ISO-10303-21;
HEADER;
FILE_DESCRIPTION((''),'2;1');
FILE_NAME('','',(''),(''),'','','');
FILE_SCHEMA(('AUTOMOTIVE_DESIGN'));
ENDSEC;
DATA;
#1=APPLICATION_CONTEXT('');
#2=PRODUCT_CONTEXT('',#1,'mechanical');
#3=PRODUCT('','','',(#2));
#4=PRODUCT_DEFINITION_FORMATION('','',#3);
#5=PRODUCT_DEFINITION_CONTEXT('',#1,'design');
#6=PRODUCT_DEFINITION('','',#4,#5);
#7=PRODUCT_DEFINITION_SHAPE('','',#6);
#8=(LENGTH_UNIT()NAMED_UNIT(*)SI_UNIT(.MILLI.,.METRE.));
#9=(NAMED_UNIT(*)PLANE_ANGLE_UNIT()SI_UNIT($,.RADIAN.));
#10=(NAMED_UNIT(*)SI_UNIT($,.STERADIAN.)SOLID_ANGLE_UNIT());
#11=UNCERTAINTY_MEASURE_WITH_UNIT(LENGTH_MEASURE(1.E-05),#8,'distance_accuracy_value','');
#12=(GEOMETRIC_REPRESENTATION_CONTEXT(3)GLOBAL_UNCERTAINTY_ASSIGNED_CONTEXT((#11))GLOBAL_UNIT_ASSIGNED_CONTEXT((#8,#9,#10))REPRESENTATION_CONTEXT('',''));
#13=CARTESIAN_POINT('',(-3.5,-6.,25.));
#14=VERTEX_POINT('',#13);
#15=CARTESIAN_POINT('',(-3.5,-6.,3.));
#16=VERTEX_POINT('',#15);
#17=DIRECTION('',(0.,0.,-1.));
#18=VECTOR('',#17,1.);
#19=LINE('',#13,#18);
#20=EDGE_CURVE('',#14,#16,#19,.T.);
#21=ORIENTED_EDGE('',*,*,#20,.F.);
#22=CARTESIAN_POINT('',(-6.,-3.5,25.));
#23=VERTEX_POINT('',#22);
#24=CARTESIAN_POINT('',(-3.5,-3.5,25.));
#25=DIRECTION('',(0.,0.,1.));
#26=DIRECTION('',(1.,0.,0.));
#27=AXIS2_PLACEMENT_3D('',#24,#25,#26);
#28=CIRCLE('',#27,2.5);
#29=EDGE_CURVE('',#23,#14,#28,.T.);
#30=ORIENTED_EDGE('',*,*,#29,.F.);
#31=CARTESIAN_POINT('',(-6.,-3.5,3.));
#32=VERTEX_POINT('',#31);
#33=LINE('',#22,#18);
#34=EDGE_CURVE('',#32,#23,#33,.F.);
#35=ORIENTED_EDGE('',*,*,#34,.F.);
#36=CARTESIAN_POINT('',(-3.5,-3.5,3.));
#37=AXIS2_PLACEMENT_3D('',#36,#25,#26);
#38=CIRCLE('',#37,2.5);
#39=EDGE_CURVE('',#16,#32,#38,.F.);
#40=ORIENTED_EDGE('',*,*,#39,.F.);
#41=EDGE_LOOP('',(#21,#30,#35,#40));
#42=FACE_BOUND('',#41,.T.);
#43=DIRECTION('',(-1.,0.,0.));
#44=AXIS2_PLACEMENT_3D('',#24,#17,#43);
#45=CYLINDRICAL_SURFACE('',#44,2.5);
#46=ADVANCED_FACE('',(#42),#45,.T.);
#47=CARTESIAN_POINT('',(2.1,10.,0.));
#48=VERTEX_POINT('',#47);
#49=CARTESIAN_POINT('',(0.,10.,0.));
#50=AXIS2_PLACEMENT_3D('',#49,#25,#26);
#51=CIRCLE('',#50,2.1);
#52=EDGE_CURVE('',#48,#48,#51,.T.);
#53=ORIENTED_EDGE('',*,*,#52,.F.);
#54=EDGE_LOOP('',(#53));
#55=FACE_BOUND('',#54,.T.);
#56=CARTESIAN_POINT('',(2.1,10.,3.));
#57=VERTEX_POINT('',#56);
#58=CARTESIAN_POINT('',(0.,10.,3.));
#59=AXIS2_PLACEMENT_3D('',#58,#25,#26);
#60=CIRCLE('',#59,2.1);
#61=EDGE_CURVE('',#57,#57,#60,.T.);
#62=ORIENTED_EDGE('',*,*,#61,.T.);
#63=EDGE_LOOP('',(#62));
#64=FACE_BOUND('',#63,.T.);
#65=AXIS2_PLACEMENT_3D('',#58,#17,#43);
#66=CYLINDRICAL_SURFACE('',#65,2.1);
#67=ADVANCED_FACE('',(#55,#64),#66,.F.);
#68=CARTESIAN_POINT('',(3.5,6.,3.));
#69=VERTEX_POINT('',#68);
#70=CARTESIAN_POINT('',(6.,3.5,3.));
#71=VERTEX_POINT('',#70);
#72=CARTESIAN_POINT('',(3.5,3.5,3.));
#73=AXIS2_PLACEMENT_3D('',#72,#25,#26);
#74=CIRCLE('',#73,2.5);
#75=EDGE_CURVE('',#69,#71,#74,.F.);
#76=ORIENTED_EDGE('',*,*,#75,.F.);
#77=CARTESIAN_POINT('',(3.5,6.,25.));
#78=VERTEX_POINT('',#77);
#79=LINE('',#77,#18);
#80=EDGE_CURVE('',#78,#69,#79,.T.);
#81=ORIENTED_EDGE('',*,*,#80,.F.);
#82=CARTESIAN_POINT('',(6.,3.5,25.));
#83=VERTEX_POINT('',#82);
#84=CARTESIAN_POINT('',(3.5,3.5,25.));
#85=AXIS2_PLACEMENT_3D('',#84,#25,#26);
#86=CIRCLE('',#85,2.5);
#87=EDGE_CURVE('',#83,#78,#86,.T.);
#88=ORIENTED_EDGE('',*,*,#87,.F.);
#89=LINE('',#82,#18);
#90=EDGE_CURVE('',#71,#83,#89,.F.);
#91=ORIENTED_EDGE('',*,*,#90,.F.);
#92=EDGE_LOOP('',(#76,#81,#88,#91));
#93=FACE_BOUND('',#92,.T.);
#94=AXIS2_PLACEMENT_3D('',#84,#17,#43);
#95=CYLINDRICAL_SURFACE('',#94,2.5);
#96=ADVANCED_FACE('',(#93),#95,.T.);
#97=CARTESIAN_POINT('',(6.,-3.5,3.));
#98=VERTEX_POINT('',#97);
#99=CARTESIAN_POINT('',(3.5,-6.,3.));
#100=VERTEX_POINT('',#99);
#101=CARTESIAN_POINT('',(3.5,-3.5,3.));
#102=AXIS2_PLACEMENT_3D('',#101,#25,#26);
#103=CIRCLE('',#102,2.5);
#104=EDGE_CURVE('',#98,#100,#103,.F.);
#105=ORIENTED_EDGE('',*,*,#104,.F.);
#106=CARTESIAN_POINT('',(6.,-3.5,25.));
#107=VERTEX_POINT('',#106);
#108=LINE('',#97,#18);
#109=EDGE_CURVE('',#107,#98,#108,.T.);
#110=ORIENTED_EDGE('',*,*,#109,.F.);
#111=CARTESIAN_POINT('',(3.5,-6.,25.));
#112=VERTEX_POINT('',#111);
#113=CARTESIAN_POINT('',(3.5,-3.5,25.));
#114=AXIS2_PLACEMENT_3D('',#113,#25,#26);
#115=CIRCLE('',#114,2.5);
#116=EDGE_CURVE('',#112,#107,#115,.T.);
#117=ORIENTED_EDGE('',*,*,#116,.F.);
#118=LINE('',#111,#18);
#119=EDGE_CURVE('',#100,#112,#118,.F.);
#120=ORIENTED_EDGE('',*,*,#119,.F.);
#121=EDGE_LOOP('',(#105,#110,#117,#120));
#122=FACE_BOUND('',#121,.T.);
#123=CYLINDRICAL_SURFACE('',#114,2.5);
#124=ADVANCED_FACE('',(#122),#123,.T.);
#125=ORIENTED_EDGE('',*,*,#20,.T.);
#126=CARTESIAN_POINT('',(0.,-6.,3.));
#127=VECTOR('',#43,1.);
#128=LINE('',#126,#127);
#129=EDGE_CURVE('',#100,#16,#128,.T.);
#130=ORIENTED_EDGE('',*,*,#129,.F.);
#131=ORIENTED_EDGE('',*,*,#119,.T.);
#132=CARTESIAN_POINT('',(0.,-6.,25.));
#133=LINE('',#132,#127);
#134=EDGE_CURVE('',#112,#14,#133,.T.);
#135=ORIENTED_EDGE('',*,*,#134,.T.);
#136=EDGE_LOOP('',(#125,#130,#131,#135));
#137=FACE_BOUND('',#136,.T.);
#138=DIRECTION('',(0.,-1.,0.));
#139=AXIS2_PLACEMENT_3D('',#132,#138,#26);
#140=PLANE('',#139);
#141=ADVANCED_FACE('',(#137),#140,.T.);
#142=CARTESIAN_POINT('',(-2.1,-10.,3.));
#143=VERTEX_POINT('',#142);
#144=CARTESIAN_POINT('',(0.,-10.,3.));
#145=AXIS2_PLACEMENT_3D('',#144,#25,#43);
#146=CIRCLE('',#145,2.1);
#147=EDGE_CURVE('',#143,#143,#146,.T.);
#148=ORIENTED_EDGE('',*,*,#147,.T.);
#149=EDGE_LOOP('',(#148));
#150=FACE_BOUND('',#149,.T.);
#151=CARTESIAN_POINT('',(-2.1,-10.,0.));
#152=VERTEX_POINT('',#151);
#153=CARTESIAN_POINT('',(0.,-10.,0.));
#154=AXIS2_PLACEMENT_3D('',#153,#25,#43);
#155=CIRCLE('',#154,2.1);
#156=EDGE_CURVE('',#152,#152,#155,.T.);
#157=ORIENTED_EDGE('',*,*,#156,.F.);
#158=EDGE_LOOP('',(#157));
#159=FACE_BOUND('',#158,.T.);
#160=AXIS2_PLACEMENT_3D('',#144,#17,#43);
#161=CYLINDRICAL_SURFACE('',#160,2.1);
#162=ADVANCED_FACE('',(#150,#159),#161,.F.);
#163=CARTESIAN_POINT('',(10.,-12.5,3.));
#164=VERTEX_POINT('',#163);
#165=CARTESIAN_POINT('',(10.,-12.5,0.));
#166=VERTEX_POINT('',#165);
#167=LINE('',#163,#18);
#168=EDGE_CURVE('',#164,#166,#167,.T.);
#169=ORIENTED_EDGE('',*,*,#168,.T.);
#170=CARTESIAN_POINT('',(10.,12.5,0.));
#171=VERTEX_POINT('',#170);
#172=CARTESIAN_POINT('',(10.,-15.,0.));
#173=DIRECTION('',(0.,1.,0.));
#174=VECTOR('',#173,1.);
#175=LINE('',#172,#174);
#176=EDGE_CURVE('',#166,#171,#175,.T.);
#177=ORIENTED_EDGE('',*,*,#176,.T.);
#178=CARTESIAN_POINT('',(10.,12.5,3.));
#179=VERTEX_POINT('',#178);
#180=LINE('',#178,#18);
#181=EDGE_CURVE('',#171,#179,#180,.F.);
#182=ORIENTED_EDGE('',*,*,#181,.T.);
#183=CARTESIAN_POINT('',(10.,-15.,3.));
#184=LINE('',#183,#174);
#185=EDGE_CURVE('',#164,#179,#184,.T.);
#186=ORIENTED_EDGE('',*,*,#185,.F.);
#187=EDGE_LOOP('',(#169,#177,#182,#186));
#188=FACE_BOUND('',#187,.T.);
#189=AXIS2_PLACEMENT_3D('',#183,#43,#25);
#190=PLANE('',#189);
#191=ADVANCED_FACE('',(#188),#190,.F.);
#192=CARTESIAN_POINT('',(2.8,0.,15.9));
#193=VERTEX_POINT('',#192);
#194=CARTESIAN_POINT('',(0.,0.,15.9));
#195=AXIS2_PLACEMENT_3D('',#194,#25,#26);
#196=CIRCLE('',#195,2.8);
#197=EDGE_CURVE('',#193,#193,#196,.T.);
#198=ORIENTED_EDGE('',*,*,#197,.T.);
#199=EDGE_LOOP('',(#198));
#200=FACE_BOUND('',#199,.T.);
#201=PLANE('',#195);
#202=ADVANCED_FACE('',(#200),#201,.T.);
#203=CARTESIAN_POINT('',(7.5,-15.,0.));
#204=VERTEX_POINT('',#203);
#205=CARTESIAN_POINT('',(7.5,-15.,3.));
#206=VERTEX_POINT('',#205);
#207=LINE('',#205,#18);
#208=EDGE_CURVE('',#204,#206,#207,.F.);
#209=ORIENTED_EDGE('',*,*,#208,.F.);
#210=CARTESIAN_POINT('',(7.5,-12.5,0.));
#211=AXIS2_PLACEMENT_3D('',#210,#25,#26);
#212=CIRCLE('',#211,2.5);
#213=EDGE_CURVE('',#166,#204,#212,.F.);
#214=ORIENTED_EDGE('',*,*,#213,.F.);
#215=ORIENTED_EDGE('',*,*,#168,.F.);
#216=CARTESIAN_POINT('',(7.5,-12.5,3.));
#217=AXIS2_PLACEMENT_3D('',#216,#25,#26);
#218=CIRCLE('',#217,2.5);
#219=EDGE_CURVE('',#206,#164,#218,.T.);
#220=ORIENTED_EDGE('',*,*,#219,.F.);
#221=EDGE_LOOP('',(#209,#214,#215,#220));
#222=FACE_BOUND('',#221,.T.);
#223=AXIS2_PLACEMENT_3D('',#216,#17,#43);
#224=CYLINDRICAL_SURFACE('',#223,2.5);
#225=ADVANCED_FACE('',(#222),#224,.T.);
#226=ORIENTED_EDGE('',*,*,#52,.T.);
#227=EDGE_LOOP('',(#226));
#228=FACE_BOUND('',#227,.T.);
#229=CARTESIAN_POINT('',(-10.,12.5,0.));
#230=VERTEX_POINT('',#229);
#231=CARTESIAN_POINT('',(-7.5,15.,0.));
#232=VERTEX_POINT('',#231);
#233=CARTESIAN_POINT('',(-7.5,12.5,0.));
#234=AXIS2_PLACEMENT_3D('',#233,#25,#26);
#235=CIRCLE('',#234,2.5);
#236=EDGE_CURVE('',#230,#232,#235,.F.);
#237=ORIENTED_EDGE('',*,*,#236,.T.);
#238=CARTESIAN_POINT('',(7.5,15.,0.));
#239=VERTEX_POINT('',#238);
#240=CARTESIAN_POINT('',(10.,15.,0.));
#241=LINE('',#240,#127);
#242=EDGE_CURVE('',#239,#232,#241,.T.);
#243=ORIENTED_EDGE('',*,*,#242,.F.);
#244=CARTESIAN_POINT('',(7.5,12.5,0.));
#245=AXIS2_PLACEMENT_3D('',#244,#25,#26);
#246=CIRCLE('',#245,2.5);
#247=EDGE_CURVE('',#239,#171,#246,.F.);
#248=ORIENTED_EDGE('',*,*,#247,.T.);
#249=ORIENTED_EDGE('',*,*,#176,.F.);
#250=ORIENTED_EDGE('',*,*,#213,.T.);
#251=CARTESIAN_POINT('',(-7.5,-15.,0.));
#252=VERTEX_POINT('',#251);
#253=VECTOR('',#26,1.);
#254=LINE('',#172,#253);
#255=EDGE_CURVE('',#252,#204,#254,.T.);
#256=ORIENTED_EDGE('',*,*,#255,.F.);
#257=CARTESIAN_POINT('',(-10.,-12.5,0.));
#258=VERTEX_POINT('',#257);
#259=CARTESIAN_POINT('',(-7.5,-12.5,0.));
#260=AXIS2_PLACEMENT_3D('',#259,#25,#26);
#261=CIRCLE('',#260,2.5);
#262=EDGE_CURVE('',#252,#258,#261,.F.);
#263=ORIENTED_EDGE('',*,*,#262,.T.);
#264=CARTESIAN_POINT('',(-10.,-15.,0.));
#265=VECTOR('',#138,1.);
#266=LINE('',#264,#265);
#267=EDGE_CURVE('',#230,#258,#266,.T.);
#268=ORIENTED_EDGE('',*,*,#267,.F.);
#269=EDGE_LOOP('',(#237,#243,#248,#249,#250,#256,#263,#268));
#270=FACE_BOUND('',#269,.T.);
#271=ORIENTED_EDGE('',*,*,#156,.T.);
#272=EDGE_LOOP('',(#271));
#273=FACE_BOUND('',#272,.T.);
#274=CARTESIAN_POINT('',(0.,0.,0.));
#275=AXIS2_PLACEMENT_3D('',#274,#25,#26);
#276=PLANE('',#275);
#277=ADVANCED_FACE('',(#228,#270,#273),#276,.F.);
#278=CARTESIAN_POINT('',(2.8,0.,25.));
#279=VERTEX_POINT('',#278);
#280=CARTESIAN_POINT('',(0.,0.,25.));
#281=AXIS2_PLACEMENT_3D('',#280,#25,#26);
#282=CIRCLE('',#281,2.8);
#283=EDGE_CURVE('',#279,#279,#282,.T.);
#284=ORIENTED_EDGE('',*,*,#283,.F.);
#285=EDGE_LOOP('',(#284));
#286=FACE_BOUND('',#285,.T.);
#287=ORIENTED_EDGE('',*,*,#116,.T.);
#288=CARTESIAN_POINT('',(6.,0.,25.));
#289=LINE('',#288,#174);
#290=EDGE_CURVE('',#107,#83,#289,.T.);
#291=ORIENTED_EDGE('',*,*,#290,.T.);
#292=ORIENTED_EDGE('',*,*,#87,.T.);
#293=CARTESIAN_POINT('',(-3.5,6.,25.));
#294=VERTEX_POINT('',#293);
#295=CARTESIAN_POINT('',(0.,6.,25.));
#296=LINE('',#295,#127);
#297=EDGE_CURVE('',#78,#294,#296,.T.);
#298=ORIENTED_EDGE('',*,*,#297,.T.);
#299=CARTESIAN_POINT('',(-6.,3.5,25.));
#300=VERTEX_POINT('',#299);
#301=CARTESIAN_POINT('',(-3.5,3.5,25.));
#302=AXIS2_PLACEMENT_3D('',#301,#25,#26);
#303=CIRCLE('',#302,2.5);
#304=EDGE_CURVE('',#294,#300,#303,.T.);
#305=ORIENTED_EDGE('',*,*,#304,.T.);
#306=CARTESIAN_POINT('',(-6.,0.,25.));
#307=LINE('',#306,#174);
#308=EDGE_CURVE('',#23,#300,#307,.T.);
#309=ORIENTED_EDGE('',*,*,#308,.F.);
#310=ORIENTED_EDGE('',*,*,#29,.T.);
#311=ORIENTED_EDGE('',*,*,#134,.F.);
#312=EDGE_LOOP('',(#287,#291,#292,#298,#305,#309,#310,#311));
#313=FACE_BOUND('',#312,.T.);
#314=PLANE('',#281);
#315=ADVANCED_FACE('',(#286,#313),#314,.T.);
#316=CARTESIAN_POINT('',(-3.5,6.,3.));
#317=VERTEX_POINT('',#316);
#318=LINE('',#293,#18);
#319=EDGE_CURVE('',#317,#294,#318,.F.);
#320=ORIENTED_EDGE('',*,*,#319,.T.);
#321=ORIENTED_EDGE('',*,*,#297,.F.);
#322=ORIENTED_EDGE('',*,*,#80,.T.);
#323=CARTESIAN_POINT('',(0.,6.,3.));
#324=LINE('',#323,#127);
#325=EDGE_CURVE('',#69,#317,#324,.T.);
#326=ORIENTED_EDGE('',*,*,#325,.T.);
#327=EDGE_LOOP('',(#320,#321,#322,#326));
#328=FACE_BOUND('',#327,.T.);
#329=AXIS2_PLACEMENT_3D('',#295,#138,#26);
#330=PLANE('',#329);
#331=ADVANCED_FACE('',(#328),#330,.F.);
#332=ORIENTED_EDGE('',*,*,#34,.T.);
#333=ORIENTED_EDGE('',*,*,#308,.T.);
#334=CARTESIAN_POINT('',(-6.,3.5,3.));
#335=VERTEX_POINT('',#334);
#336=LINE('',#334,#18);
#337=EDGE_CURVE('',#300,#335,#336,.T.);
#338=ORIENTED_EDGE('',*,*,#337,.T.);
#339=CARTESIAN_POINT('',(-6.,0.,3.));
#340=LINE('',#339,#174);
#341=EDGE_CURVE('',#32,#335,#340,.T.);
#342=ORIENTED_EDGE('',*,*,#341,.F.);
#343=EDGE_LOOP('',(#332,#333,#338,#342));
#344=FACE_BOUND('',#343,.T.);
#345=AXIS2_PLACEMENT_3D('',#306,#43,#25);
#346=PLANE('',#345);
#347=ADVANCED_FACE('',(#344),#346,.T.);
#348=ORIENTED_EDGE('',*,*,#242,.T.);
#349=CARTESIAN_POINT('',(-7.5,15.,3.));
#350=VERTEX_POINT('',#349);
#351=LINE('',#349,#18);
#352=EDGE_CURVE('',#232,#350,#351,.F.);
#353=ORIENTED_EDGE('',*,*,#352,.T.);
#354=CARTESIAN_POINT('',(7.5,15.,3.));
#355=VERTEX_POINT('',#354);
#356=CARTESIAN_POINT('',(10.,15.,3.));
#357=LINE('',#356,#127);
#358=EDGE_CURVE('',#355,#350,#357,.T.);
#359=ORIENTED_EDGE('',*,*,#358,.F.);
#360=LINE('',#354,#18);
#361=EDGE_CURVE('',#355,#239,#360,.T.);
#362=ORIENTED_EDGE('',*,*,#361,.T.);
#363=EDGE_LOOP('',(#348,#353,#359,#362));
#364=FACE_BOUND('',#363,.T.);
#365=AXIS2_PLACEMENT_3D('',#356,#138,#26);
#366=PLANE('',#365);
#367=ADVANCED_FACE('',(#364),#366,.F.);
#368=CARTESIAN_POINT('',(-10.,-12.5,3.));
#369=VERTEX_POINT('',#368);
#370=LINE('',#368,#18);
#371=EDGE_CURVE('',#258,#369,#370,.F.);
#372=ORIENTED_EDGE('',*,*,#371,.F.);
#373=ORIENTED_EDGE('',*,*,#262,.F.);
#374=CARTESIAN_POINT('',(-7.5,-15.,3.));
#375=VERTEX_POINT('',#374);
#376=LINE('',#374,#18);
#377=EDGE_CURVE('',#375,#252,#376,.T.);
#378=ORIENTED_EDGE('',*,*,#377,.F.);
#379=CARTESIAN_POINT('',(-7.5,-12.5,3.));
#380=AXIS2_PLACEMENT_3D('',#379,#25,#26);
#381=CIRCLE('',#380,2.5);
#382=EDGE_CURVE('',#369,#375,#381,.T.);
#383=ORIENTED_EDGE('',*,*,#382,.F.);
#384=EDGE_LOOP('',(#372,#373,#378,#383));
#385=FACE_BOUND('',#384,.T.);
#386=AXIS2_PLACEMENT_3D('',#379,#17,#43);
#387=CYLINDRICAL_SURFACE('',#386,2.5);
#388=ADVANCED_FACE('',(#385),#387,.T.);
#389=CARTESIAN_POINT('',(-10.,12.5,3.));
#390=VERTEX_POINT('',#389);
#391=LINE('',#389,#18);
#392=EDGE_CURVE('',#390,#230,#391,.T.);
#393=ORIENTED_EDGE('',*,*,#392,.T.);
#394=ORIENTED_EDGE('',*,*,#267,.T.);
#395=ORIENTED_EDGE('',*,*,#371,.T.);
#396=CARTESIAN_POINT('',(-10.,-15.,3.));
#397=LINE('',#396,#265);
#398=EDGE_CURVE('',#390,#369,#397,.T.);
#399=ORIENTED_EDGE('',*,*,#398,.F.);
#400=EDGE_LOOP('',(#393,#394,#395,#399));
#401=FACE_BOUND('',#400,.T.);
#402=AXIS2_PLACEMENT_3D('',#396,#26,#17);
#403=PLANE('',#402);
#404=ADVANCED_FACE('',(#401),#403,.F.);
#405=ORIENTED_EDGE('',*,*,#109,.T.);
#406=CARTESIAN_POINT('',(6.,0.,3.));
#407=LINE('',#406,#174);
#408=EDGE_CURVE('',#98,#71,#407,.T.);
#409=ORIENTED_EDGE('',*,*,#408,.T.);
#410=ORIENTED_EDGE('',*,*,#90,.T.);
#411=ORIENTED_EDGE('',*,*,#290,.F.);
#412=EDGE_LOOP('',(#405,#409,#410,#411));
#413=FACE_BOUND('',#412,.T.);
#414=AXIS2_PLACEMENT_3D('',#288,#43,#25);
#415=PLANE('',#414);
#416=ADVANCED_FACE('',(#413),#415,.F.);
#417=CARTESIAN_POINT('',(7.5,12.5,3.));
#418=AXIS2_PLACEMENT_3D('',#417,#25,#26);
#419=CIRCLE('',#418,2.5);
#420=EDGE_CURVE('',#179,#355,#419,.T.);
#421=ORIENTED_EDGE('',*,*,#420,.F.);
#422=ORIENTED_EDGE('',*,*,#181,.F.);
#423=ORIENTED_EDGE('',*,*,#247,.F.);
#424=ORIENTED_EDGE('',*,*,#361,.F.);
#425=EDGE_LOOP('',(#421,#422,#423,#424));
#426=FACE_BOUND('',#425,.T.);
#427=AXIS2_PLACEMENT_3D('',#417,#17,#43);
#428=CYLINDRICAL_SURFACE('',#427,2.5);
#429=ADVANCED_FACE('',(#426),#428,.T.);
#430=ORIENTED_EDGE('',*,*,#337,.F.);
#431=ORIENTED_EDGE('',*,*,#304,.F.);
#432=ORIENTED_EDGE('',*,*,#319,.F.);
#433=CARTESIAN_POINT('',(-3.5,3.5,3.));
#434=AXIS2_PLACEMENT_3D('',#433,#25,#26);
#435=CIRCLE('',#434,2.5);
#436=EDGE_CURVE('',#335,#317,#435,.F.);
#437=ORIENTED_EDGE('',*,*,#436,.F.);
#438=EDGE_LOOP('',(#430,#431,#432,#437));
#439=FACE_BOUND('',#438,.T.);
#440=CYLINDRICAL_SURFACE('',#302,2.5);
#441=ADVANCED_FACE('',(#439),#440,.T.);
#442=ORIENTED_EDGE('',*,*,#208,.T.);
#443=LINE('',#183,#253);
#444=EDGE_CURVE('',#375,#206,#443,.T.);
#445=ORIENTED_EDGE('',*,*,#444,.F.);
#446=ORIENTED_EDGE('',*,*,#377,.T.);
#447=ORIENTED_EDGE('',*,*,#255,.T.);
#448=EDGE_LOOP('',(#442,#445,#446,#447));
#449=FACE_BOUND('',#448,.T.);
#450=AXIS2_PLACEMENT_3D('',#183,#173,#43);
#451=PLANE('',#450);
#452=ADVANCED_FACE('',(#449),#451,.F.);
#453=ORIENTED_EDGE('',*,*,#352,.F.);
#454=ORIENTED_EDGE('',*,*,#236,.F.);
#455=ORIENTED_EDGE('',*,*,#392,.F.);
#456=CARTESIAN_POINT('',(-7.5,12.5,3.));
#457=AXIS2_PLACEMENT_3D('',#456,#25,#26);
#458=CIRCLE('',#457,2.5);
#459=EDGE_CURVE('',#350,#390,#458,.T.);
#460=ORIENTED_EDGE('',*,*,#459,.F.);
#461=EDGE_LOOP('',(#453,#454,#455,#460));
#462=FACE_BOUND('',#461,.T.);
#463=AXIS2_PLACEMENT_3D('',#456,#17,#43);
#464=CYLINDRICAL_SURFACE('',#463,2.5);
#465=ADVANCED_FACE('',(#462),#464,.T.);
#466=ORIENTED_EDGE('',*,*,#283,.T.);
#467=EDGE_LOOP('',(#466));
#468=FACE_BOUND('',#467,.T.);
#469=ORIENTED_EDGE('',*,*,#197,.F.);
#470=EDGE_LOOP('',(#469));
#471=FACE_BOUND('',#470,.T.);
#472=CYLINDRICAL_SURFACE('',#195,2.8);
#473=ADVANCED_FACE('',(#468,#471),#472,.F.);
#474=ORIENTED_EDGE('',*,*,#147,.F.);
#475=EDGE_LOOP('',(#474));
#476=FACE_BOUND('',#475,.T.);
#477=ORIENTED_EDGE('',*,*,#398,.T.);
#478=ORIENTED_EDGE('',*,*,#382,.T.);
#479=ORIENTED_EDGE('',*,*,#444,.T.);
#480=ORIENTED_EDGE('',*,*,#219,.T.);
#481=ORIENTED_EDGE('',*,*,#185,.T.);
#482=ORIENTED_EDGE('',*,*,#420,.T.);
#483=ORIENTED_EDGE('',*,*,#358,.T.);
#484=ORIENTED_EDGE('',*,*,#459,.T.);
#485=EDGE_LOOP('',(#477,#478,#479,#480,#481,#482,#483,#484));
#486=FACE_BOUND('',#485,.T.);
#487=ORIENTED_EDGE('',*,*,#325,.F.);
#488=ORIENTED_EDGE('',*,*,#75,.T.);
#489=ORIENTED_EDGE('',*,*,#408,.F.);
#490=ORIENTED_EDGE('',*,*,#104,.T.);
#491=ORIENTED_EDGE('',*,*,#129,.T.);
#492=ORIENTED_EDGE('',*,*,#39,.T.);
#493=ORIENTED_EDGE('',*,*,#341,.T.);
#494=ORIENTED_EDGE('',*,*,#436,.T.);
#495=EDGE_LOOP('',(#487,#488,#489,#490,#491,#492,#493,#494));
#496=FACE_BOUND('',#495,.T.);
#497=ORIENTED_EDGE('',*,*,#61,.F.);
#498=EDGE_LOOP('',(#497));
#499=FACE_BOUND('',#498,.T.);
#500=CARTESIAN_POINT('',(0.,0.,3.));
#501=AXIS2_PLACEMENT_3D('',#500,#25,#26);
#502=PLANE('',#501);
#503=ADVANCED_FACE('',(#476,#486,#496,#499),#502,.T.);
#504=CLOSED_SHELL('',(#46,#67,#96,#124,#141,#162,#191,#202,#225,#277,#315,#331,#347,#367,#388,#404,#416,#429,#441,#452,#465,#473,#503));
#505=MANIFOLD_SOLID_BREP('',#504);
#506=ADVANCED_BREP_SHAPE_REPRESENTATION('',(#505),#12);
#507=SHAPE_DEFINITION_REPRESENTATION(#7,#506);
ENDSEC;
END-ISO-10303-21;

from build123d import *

# Parameters (mm, degrees)
ESQUISSE1_W             = 20
ESQUISSE1_H             = 30
ESQUISSE1_R             = 2.1
BOSS_EXTRU_1_DEPTH      = 3
ESQUISSE2_W             = 12
ESQUISSE2_H             = 12
BOSS_EXTRU_2_DEPTH      = 22
ESQUISSE3_OUTSIDE_W     = 30.774
ESQUISSE3_OUTSIDE_H     = 40.774
ESQUISSE3_OUTSIDE_W_2   = 12
ESQUISSE3_OUTSIDE_H_2   = 12
ESQUISSE3_OUTSIDE_R     = 2.8
ENL_V_MAT_EXTRU_1_DEPTH = 9.1
CONG_1_R                = 2.5


with BuildPart() as part:
    # Esquisse1 → Boss.-Extru.1 (new body)
    with BuildSketch(Plane.XY):
        Rectangle(ESQUISSE1_W, ESQUISSE1_H)
        with Locations((0, 10)):
            Circle(ESQUISSE1_R, mode=Mode.SUBTRACT)
        with Locations(Location((0, -10, 0), (0, 0, 180))):
            Circle(ESQUISSE1_R, mode=Mode.SUBTRACT)
    extrude(amount=BOSS_EXTRU_1_DEPTH)

    # Esquisse2 → Boss.-Extru.2 (add)
    with BuildSketch(Plane.XY.offset(3)):
        Rectangle(ESQUISSE2_W, ESQUISSE2_H)
    extrude(amount=BOSS_EXTRU_2_DEPTH)

    # Esquisse3 outside → Enlèv. mat.-Extru.1 (cut)
    # profile 1 of 2: a face of its own
    with BuildSketch(Plane.XY.offset(25)):
        Rectangle(ESQUISSE3_OUTSIDE_W, ESQUISSE3_OUTSIDE_H)
        Rectangle(ESQUISSE3_OUTSIDE_W_2, ESQUISSE3_OUTSIDE_H_2, mode=Mode.SUBTRACT)
    # profile 2 of 2: a face of its own
    with BuildSketch(Plane.XY.offset(25)):
        Circle(ESQUISSE3_OUTSIDE_R)
    extrude(amount=-ENL_V_MAT_EXTRU_1_DEPTH, mode=Mode.SUBTRACT)

    # Congé1
    cong_1_edges = [part.edges().sort_by_distance(p)[0] for p in [
        (-6, 6, 14),
        (-6, -6, 14),
        (6, -6, 14),
        (6, 6, 14),
        (-10, 15, 1.5),
        (10, 15, 1.5),
        (10, -15, 1.5),
        (-10, -15, 1.5),
    ]]
    fillet(cong_1_edges, radius=CONG_1_R)


solid = part.part
